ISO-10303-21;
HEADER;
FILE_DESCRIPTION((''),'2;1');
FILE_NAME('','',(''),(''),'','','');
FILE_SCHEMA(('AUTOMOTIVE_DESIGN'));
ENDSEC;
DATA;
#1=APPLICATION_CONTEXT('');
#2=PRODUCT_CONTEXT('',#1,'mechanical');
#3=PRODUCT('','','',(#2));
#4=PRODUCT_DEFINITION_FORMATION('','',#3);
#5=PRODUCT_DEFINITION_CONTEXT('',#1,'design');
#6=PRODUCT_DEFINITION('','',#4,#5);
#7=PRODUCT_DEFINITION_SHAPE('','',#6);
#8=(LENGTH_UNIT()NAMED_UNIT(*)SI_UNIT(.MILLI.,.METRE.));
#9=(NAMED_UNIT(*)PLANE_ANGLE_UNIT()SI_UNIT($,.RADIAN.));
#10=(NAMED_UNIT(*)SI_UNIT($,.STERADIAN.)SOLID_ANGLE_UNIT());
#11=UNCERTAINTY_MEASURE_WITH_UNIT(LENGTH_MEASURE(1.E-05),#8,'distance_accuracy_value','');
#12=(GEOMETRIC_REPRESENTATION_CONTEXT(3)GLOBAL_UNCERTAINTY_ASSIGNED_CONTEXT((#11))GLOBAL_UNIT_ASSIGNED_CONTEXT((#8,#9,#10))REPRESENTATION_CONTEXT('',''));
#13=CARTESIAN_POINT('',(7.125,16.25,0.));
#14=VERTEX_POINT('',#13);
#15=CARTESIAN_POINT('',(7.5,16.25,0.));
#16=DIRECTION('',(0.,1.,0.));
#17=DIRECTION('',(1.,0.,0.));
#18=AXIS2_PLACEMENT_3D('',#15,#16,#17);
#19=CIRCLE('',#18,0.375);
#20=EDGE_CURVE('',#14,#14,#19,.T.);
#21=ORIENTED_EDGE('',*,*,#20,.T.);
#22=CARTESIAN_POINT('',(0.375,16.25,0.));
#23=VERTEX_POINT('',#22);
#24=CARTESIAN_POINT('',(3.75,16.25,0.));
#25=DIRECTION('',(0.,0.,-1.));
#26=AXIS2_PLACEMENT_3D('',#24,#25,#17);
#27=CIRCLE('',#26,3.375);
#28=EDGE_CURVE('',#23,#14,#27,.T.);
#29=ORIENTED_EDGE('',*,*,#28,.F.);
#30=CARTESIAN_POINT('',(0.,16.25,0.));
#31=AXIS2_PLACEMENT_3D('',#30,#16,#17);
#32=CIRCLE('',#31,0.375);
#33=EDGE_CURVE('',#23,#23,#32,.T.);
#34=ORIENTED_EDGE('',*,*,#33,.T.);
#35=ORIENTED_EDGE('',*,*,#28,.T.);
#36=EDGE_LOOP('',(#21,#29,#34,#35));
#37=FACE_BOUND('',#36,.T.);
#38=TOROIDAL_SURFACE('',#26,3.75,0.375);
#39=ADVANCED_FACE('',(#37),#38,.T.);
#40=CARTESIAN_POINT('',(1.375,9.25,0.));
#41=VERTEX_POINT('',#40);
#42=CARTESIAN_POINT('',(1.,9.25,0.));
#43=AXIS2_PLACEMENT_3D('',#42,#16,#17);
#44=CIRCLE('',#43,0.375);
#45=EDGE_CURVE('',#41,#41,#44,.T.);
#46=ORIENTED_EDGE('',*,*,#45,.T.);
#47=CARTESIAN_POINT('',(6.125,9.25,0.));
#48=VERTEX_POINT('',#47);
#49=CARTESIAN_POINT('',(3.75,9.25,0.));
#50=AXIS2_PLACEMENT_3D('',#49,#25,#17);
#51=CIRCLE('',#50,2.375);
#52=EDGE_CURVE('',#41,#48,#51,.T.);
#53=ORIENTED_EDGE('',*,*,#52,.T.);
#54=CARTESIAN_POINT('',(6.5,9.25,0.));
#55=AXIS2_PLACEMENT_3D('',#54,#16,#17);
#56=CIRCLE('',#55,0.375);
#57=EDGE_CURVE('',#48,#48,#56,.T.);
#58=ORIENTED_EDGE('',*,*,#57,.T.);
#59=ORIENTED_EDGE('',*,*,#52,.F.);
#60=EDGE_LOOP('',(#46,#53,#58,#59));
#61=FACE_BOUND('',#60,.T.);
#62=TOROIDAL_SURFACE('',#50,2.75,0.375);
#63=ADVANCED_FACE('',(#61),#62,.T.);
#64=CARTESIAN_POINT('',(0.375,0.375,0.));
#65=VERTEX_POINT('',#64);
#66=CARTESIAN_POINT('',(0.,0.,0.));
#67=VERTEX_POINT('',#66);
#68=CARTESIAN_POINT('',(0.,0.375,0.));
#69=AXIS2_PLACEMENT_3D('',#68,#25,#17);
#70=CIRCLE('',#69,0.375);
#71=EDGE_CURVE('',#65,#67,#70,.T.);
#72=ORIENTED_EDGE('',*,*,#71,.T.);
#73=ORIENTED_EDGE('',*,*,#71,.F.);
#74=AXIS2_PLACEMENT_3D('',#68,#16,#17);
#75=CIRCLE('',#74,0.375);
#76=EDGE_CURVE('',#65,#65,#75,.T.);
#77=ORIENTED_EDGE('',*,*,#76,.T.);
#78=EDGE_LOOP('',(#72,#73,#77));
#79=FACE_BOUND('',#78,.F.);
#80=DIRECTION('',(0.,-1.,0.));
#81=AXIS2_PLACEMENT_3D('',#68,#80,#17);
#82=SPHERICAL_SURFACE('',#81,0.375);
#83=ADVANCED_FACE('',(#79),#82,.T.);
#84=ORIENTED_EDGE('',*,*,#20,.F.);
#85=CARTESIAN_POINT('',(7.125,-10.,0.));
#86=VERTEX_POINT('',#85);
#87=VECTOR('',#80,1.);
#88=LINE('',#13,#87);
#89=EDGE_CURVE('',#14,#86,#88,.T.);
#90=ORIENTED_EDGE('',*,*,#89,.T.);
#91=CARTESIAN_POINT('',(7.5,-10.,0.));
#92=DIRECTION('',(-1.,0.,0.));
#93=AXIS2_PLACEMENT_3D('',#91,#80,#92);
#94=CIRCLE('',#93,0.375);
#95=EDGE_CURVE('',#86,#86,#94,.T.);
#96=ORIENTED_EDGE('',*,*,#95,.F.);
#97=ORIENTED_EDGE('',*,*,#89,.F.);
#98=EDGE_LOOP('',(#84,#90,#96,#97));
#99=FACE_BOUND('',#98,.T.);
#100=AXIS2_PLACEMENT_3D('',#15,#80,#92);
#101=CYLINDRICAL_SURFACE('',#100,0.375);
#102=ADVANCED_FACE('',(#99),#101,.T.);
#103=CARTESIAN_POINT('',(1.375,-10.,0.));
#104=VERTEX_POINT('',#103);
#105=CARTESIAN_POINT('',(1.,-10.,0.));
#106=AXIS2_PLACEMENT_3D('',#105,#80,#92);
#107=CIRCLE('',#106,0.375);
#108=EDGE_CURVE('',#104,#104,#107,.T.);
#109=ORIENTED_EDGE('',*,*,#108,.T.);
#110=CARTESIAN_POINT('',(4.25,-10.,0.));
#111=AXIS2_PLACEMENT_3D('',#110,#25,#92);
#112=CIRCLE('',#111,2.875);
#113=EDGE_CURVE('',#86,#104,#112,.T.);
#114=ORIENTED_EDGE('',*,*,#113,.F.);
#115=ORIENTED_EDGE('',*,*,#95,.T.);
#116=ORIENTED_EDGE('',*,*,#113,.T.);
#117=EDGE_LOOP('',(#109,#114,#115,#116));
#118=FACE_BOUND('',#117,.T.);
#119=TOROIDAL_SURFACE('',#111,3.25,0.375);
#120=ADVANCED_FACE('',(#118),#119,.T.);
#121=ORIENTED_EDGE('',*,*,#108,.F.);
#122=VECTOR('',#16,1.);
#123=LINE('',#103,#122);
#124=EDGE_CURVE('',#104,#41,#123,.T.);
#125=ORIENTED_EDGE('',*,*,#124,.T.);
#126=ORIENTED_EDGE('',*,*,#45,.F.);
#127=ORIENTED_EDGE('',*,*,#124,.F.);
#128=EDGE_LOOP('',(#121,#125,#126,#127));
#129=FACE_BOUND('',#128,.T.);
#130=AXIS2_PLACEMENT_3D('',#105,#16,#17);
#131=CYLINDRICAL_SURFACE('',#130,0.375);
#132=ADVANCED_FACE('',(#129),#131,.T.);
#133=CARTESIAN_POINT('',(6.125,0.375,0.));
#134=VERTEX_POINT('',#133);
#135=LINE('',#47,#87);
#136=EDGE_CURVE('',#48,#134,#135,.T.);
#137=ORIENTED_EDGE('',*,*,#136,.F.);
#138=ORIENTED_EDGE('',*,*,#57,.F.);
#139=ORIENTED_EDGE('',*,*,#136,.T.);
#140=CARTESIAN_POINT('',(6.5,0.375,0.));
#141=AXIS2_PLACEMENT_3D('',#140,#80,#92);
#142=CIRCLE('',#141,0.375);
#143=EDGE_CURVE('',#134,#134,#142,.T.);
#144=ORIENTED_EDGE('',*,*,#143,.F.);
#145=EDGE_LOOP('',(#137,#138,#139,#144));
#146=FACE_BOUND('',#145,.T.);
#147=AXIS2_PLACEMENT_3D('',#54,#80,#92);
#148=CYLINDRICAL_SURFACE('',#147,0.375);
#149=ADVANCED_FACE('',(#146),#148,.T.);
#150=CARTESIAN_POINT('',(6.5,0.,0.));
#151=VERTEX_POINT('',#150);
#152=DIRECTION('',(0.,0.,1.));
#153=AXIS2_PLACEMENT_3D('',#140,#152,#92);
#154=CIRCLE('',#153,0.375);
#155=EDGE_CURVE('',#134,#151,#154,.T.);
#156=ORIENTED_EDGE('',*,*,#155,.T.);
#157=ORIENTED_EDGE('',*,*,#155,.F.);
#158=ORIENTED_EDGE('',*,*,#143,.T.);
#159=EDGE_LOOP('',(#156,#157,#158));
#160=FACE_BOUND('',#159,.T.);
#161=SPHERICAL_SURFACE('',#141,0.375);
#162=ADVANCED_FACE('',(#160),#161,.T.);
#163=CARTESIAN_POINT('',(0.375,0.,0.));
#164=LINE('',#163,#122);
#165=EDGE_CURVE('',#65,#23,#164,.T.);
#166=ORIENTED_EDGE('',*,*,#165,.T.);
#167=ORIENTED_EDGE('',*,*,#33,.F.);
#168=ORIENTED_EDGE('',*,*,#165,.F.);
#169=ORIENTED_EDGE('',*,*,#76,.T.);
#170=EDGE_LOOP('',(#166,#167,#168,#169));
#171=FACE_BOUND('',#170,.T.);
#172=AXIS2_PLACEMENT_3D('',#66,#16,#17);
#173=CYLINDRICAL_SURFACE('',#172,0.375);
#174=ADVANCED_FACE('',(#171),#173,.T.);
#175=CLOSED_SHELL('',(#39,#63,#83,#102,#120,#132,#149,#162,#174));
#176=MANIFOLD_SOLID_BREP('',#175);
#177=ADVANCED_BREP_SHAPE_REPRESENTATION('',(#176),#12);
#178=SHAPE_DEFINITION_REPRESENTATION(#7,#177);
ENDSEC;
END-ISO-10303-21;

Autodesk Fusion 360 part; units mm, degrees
sketch "Sketch1" plane through (0, 0, 0) normal (0, 0, 1) x (1, 0, 0)
  line L0 (0, 0) -> (0, 16.25)
  line L1 (0, 16.25) -> (7.5, 16.25) construction
  line L2 (7.5, 16.25) -> (7.5, -10)
  line L3 (7.5, -10) -> (1, -10) construction
  line L4 (1, -10) -> (1, 9.25)
  line L5 (1, 9.25) -> (6.5, 9.25) construction
  line L6 (6.5, 9.25) -> (6.5, 0)
  arc A0 (6.5, 9.25) -> (1, 9.25) centre (3.75, 9.25) ccw
  arc A1 (1, -10) -> (7.5, -10) centre (4.25, -10) ccw
  arc A2 (7.5, 16.25) -> (0, 16.25) centre (3.75, 16.25) ccw
  dimension "d1" = 16.25
  dimension "d2" = 7.5
  dimension "d3" = 26.25
  dimension "d4" = 6.5
  dimension "d5" = 19.25
  dimension "d6" = 5.5
  dimension "d7" = 9.25
sketch "Sketch3" plane through (0, 0, 0) normal (0, 1, 0) x (1, 0, 0)
  circle A0 centre (0, 0) radius 0.375
  dimension "d8" = 0.75
sweep "Sweep1" add profiles "Sketch3" path "Sketch1" along L6 A0 L4 A1 L2 A2 L0 section 1
fillet "Fillet1" radius 0.375 2 edges at (6.8496, 0, 0.1356) (-0.3496, 0, 0.1356)
